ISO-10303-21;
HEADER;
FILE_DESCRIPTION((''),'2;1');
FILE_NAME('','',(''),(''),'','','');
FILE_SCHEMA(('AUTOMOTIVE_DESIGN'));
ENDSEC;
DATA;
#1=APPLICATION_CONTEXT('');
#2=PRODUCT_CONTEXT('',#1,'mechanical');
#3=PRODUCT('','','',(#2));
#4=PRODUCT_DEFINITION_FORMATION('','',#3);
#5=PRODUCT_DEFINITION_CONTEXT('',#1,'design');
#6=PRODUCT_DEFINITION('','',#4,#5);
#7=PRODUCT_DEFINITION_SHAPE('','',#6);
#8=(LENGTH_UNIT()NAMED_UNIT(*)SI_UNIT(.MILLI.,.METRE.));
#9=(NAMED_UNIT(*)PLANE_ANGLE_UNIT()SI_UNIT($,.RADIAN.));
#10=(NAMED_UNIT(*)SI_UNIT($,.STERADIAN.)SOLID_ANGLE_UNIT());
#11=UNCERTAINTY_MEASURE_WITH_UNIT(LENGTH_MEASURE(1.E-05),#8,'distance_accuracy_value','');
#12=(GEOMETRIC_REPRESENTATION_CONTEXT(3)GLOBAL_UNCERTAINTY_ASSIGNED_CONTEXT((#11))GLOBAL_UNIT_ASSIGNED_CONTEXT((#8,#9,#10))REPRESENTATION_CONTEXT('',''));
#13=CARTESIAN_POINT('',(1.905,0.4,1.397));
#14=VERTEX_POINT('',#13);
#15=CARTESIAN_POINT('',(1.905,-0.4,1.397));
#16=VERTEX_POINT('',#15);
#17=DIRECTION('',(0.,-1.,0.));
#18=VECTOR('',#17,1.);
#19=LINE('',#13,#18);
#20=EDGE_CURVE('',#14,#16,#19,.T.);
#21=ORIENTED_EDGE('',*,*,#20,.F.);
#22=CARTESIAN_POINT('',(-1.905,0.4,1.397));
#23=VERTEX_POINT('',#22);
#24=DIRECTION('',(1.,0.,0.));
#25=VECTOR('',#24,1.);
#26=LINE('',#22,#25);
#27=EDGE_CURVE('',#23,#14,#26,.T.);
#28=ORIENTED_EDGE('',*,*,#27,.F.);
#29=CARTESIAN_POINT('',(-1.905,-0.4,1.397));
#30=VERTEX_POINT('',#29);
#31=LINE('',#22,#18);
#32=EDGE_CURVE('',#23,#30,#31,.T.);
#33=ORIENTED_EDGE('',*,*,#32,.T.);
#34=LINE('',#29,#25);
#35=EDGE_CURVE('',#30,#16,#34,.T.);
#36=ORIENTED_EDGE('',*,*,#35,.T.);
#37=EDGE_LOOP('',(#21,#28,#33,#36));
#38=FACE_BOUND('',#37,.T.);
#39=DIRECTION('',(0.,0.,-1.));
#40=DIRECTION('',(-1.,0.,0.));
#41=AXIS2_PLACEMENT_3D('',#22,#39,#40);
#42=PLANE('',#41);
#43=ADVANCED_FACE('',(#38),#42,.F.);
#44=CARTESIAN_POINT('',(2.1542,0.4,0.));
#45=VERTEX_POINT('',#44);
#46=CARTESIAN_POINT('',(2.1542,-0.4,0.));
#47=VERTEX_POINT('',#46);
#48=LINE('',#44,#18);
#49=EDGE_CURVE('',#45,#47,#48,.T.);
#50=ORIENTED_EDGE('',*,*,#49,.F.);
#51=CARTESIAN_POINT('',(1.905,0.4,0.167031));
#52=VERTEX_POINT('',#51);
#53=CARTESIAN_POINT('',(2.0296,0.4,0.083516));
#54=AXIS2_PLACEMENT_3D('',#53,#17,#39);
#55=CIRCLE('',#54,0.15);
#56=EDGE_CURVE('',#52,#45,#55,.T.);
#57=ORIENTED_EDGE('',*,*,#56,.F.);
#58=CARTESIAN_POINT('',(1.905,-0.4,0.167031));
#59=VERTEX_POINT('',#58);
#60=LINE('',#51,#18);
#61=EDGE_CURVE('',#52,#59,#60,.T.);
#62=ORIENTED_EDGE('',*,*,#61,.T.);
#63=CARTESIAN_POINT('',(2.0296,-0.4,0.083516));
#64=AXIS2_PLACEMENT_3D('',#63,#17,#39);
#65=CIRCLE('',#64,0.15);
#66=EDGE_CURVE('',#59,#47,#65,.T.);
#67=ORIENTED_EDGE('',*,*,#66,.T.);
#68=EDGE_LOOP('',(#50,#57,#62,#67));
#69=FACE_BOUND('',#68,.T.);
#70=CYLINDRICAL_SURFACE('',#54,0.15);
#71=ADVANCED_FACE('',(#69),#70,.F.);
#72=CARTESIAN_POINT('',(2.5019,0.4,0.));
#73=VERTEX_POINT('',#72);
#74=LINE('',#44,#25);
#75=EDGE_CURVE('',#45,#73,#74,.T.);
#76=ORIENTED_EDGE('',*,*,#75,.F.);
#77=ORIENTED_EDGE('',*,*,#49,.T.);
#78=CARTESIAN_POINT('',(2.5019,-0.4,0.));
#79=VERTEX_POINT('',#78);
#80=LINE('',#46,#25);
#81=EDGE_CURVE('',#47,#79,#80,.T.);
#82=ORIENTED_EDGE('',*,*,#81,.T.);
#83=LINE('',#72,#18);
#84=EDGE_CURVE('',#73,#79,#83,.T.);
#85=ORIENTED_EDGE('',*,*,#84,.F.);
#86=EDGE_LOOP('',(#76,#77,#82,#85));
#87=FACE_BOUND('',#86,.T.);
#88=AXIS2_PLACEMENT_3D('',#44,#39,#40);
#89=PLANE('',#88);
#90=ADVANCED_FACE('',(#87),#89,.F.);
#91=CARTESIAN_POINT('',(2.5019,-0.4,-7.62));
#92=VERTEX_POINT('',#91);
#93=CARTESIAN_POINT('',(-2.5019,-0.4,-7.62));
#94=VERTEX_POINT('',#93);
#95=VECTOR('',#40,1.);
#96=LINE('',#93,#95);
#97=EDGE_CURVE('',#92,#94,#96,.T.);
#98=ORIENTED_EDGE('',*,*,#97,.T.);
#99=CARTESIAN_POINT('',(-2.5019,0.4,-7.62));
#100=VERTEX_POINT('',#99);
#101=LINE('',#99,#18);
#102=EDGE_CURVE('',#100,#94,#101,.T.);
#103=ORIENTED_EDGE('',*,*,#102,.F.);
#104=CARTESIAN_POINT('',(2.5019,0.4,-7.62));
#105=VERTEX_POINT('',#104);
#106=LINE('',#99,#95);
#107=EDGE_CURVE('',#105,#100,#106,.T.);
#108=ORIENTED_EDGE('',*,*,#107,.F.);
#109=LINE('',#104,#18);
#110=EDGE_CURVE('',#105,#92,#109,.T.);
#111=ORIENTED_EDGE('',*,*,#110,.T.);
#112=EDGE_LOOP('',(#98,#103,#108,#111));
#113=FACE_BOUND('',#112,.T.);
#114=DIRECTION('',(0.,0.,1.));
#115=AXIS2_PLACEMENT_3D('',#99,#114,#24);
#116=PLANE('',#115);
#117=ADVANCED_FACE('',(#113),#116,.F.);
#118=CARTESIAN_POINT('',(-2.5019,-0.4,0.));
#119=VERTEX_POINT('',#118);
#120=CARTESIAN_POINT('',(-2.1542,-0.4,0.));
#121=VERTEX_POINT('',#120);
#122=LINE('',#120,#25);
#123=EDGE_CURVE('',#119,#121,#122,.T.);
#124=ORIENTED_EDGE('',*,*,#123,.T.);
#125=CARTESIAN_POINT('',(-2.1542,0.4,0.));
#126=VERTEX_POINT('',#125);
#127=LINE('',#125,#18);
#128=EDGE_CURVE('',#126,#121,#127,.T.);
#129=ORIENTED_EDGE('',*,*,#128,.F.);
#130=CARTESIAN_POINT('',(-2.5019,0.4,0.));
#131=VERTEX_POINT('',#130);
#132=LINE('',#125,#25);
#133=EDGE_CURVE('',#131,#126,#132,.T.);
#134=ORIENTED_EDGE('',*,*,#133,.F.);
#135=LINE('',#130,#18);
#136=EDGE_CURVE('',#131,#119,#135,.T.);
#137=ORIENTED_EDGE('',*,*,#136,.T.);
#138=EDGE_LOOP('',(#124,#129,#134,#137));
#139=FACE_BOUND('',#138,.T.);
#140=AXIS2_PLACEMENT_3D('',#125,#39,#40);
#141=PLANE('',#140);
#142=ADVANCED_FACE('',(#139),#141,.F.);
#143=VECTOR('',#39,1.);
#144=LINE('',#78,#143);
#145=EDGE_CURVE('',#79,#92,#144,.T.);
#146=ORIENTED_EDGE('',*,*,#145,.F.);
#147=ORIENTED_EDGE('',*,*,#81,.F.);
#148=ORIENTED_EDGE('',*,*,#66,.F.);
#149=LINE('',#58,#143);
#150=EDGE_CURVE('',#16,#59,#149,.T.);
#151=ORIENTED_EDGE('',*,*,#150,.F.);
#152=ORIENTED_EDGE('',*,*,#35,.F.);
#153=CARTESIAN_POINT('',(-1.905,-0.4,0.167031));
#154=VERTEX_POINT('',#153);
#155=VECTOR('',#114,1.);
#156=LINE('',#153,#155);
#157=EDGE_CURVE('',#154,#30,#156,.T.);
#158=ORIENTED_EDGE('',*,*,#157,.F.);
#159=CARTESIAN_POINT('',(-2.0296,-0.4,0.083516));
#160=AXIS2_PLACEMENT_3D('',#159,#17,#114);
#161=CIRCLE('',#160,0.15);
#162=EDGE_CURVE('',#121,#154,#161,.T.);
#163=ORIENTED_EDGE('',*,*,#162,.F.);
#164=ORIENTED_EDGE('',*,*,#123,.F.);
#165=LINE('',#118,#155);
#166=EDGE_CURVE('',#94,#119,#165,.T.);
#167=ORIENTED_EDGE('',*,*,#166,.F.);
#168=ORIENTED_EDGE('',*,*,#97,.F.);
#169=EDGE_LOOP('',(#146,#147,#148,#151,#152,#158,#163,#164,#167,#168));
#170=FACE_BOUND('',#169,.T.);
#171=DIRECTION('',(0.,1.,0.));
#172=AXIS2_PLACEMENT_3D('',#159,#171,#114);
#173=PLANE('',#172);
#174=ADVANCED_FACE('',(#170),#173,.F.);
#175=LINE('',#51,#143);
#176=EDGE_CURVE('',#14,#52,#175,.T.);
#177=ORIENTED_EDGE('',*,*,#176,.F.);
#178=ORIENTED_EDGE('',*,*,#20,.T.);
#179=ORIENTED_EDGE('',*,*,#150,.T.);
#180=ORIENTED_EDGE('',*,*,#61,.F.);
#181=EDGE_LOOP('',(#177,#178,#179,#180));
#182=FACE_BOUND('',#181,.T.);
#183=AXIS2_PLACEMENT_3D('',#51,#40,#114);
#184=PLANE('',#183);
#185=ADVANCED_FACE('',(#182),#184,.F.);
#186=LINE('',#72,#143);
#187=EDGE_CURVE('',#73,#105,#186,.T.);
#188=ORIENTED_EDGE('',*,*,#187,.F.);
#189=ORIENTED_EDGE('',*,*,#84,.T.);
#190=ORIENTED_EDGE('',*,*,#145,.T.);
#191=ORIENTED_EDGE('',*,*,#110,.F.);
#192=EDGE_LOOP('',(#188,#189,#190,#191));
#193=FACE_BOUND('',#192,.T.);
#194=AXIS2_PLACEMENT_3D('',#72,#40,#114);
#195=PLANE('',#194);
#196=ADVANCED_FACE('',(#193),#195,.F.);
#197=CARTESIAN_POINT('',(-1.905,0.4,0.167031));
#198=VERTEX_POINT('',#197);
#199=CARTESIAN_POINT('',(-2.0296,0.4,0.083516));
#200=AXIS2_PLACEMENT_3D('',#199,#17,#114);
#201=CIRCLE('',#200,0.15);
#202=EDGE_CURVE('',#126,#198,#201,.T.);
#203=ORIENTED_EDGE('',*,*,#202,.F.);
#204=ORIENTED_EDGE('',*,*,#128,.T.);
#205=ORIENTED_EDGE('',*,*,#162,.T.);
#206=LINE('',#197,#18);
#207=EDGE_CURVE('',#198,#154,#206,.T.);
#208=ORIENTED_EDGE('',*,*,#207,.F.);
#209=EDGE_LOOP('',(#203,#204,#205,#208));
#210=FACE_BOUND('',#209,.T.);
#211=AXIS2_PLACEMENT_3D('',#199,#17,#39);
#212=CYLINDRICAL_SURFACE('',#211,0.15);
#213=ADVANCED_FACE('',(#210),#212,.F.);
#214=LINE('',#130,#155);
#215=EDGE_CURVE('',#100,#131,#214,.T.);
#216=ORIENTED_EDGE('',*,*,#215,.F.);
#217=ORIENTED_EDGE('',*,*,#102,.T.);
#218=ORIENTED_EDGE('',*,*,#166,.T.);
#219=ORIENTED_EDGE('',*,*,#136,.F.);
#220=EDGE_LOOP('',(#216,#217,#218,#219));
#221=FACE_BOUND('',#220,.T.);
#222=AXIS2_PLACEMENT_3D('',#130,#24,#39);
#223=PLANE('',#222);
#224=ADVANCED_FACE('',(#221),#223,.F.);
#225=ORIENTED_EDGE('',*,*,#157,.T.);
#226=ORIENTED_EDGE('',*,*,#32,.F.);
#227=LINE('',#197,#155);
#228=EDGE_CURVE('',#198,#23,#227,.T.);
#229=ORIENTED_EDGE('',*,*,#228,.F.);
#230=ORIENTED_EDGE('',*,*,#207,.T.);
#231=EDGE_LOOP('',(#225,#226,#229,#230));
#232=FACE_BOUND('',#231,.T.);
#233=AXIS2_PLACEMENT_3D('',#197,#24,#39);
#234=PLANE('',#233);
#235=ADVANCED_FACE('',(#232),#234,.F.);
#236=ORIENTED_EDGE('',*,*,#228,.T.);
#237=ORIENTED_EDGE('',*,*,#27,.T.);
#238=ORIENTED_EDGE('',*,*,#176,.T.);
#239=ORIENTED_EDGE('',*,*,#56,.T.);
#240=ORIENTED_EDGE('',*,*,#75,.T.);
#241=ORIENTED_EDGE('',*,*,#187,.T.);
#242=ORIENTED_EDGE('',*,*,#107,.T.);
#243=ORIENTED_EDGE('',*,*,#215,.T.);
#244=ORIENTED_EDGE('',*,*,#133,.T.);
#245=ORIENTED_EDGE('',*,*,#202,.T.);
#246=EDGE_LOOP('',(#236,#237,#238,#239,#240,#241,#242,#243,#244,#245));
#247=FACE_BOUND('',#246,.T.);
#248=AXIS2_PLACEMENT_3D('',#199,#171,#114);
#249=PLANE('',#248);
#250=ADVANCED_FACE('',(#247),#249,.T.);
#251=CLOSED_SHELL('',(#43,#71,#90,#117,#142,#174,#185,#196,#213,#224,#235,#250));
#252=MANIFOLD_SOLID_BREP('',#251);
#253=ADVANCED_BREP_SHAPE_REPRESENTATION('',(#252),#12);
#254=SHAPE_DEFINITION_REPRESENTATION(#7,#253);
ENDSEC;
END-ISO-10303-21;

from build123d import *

# Parameters (mm, degrees)
BOSS_EXTRUDE1_DEPTH = 0.4


with BuildPart() as part:
    # Sketch1 → Boss-Extrude1 (new, symmetric)
    with BuildSketch(Plane(origin=(0, 0, 0), x_dir=(1, 0, 0), z_dir=(0, 1, 0))):
        with BuildLine():
            Line((-1.905, -0.167031015), (-1.905, -1.397))
            Line((-1.905, -1.397), (1.905, -1.397))
            Line((1.905, -1.397), (1.905, -0.167031015))
            ThreePointArc((1.905, -0.167031015), (1.946084492, 0.041084492), (2.1542, 0))
            Line((2.1542, 0), (2.5019, 0))
            Line((2.5019, 0), (2.5019, 7.62))
            Line((2.5019, 7.62), (-2.5019, 7.62))
            Line((-2.5019, 7.62), (-2.5019, 0))
            Line((-2.5019, 0), (-2.1542, 0))
            ThreePointArc((-2.1542, 0), (-1.946084492, 0.041084492), (-1.905, -0.167031015))
        make_face()
    extrude(amount=BOSS_EXTRUDE1_DEPTH, both=True)


solid = part.part
